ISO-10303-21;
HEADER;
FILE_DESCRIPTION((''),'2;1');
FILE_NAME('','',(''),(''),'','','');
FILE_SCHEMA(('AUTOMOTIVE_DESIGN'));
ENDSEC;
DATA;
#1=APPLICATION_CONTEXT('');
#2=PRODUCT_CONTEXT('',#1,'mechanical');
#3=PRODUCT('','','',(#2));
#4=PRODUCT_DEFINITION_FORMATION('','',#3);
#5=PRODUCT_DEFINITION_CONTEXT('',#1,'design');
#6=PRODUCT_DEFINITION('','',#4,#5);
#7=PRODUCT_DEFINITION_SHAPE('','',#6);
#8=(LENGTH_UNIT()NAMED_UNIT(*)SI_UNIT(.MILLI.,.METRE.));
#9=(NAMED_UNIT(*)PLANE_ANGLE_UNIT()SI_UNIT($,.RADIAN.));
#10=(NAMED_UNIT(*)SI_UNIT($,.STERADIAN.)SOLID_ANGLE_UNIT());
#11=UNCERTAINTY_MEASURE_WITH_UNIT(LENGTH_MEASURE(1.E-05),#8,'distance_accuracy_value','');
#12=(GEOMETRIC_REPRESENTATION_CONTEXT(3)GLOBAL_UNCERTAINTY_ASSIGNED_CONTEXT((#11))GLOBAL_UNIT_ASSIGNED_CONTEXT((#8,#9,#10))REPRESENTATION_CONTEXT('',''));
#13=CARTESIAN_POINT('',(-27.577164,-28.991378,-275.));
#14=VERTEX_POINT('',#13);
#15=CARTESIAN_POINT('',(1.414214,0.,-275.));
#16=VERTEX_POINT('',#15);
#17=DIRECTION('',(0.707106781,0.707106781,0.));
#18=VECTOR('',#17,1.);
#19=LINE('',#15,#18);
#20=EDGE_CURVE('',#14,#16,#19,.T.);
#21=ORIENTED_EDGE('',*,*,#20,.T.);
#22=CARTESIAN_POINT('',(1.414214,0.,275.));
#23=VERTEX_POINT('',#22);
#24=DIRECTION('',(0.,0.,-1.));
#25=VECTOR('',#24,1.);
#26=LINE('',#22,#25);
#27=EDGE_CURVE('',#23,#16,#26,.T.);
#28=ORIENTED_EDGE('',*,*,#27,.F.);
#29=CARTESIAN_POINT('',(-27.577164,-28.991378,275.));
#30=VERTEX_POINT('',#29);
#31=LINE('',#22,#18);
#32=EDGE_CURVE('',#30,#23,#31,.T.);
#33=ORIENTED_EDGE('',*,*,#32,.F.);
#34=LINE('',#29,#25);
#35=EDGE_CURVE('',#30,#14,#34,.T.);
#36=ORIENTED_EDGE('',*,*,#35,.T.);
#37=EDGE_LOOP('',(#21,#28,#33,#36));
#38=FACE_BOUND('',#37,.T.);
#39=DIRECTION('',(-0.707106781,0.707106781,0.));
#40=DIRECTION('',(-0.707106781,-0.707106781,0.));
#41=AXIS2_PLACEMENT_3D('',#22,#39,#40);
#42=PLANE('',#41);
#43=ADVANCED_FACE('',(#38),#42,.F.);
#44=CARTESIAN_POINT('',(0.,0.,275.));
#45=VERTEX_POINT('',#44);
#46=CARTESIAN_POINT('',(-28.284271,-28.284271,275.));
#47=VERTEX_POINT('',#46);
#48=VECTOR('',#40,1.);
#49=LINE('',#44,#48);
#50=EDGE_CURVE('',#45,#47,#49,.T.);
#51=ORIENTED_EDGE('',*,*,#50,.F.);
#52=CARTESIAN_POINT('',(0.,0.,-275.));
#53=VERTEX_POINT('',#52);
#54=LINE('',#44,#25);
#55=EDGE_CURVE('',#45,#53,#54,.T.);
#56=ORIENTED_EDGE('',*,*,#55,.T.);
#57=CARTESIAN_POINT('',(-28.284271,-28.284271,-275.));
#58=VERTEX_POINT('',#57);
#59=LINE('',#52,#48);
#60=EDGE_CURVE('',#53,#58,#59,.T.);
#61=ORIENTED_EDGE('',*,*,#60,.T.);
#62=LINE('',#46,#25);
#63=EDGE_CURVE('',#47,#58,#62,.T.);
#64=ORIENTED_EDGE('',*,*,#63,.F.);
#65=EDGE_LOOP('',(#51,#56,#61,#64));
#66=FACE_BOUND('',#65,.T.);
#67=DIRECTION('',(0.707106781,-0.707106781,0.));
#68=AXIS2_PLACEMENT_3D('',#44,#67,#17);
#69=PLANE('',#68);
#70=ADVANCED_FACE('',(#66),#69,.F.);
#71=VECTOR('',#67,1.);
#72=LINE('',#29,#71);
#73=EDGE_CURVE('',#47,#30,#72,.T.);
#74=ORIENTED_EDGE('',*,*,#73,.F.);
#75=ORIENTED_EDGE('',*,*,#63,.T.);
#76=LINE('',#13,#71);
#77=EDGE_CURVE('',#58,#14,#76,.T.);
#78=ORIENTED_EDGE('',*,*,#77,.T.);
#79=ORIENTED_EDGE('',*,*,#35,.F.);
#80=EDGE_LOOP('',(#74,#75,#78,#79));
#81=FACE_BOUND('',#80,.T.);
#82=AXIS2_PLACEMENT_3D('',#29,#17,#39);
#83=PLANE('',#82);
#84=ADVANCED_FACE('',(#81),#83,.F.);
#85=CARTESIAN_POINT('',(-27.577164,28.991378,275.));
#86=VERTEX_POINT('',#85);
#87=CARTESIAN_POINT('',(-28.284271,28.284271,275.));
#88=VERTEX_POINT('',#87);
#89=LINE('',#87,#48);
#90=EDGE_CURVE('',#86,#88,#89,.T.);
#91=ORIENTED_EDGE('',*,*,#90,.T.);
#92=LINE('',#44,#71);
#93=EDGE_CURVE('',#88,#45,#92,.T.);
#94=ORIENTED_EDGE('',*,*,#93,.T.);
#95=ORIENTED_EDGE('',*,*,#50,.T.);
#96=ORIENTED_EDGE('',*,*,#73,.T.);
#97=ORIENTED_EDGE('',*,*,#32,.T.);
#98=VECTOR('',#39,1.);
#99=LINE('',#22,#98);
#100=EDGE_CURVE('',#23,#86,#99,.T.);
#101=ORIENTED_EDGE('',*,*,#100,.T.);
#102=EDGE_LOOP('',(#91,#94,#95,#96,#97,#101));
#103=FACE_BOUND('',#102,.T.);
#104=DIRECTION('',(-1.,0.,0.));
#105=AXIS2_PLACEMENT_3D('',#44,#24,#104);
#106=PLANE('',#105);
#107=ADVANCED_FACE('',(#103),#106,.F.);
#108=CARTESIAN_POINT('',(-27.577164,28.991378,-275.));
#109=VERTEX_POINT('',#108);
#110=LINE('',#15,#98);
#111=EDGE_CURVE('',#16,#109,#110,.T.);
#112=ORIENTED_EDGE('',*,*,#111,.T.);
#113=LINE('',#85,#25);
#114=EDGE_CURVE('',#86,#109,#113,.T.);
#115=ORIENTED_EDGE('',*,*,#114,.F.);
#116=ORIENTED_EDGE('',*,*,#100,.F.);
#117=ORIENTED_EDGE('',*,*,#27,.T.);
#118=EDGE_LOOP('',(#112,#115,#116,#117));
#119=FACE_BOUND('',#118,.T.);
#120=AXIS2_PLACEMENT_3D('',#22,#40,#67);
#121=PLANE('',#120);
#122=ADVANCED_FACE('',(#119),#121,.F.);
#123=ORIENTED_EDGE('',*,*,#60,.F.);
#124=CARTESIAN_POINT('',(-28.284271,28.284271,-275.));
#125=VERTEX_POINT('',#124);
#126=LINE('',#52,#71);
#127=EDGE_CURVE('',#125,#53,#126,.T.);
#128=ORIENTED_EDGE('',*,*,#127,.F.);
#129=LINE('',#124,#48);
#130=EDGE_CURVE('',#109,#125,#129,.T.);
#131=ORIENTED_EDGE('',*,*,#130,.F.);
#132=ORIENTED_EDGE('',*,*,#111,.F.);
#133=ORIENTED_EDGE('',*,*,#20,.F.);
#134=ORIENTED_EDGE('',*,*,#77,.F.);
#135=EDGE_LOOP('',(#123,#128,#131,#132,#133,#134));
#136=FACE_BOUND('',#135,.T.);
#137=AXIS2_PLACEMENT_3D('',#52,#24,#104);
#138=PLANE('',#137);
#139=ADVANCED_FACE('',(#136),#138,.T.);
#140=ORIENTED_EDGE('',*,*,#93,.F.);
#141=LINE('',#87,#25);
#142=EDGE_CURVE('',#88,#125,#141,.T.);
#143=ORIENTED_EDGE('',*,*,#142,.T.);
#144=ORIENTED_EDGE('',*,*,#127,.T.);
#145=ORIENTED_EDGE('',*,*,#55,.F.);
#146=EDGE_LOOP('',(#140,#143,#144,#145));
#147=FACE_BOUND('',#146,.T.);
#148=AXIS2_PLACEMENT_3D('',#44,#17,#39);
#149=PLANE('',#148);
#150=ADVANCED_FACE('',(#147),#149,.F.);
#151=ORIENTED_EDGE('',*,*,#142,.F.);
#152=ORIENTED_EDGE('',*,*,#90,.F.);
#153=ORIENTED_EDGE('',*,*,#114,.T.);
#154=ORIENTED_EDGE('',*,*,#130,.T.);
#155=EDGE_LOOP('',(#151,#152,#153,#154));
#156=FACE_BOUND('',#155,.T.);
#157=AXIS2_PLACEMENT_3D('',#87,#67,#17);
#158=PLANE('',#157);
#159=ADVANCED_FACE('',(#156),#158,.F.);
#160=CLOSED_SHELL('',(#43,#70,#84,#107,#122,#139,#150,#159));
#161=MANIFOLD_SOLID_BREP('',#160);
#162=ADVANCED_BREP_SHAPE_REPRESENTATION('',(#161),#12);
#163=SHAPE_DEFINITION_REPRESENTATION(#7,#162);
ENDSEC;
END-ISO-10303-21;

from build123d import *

# Parameters (mm, degrees)
BOSS_EXTRUDE1_DEPTH = 275


with BuildPart() as part:
    # Sketch1 → Boss-Extrude1 (new, symmetric)
    with BuildSketch(Plane.XY):
        Polygon((0, 0), (-28.284271247, 28.284271247), (-27.577164466, 28.991378029), (1.414213562, 0), (-27.577164466, -28.991378029), (-28.284271247, -28.284271247), align=None)
    extrude(amount=BOSS_EXTRUDE1_DEPTH, both=True)


solid = part.part
